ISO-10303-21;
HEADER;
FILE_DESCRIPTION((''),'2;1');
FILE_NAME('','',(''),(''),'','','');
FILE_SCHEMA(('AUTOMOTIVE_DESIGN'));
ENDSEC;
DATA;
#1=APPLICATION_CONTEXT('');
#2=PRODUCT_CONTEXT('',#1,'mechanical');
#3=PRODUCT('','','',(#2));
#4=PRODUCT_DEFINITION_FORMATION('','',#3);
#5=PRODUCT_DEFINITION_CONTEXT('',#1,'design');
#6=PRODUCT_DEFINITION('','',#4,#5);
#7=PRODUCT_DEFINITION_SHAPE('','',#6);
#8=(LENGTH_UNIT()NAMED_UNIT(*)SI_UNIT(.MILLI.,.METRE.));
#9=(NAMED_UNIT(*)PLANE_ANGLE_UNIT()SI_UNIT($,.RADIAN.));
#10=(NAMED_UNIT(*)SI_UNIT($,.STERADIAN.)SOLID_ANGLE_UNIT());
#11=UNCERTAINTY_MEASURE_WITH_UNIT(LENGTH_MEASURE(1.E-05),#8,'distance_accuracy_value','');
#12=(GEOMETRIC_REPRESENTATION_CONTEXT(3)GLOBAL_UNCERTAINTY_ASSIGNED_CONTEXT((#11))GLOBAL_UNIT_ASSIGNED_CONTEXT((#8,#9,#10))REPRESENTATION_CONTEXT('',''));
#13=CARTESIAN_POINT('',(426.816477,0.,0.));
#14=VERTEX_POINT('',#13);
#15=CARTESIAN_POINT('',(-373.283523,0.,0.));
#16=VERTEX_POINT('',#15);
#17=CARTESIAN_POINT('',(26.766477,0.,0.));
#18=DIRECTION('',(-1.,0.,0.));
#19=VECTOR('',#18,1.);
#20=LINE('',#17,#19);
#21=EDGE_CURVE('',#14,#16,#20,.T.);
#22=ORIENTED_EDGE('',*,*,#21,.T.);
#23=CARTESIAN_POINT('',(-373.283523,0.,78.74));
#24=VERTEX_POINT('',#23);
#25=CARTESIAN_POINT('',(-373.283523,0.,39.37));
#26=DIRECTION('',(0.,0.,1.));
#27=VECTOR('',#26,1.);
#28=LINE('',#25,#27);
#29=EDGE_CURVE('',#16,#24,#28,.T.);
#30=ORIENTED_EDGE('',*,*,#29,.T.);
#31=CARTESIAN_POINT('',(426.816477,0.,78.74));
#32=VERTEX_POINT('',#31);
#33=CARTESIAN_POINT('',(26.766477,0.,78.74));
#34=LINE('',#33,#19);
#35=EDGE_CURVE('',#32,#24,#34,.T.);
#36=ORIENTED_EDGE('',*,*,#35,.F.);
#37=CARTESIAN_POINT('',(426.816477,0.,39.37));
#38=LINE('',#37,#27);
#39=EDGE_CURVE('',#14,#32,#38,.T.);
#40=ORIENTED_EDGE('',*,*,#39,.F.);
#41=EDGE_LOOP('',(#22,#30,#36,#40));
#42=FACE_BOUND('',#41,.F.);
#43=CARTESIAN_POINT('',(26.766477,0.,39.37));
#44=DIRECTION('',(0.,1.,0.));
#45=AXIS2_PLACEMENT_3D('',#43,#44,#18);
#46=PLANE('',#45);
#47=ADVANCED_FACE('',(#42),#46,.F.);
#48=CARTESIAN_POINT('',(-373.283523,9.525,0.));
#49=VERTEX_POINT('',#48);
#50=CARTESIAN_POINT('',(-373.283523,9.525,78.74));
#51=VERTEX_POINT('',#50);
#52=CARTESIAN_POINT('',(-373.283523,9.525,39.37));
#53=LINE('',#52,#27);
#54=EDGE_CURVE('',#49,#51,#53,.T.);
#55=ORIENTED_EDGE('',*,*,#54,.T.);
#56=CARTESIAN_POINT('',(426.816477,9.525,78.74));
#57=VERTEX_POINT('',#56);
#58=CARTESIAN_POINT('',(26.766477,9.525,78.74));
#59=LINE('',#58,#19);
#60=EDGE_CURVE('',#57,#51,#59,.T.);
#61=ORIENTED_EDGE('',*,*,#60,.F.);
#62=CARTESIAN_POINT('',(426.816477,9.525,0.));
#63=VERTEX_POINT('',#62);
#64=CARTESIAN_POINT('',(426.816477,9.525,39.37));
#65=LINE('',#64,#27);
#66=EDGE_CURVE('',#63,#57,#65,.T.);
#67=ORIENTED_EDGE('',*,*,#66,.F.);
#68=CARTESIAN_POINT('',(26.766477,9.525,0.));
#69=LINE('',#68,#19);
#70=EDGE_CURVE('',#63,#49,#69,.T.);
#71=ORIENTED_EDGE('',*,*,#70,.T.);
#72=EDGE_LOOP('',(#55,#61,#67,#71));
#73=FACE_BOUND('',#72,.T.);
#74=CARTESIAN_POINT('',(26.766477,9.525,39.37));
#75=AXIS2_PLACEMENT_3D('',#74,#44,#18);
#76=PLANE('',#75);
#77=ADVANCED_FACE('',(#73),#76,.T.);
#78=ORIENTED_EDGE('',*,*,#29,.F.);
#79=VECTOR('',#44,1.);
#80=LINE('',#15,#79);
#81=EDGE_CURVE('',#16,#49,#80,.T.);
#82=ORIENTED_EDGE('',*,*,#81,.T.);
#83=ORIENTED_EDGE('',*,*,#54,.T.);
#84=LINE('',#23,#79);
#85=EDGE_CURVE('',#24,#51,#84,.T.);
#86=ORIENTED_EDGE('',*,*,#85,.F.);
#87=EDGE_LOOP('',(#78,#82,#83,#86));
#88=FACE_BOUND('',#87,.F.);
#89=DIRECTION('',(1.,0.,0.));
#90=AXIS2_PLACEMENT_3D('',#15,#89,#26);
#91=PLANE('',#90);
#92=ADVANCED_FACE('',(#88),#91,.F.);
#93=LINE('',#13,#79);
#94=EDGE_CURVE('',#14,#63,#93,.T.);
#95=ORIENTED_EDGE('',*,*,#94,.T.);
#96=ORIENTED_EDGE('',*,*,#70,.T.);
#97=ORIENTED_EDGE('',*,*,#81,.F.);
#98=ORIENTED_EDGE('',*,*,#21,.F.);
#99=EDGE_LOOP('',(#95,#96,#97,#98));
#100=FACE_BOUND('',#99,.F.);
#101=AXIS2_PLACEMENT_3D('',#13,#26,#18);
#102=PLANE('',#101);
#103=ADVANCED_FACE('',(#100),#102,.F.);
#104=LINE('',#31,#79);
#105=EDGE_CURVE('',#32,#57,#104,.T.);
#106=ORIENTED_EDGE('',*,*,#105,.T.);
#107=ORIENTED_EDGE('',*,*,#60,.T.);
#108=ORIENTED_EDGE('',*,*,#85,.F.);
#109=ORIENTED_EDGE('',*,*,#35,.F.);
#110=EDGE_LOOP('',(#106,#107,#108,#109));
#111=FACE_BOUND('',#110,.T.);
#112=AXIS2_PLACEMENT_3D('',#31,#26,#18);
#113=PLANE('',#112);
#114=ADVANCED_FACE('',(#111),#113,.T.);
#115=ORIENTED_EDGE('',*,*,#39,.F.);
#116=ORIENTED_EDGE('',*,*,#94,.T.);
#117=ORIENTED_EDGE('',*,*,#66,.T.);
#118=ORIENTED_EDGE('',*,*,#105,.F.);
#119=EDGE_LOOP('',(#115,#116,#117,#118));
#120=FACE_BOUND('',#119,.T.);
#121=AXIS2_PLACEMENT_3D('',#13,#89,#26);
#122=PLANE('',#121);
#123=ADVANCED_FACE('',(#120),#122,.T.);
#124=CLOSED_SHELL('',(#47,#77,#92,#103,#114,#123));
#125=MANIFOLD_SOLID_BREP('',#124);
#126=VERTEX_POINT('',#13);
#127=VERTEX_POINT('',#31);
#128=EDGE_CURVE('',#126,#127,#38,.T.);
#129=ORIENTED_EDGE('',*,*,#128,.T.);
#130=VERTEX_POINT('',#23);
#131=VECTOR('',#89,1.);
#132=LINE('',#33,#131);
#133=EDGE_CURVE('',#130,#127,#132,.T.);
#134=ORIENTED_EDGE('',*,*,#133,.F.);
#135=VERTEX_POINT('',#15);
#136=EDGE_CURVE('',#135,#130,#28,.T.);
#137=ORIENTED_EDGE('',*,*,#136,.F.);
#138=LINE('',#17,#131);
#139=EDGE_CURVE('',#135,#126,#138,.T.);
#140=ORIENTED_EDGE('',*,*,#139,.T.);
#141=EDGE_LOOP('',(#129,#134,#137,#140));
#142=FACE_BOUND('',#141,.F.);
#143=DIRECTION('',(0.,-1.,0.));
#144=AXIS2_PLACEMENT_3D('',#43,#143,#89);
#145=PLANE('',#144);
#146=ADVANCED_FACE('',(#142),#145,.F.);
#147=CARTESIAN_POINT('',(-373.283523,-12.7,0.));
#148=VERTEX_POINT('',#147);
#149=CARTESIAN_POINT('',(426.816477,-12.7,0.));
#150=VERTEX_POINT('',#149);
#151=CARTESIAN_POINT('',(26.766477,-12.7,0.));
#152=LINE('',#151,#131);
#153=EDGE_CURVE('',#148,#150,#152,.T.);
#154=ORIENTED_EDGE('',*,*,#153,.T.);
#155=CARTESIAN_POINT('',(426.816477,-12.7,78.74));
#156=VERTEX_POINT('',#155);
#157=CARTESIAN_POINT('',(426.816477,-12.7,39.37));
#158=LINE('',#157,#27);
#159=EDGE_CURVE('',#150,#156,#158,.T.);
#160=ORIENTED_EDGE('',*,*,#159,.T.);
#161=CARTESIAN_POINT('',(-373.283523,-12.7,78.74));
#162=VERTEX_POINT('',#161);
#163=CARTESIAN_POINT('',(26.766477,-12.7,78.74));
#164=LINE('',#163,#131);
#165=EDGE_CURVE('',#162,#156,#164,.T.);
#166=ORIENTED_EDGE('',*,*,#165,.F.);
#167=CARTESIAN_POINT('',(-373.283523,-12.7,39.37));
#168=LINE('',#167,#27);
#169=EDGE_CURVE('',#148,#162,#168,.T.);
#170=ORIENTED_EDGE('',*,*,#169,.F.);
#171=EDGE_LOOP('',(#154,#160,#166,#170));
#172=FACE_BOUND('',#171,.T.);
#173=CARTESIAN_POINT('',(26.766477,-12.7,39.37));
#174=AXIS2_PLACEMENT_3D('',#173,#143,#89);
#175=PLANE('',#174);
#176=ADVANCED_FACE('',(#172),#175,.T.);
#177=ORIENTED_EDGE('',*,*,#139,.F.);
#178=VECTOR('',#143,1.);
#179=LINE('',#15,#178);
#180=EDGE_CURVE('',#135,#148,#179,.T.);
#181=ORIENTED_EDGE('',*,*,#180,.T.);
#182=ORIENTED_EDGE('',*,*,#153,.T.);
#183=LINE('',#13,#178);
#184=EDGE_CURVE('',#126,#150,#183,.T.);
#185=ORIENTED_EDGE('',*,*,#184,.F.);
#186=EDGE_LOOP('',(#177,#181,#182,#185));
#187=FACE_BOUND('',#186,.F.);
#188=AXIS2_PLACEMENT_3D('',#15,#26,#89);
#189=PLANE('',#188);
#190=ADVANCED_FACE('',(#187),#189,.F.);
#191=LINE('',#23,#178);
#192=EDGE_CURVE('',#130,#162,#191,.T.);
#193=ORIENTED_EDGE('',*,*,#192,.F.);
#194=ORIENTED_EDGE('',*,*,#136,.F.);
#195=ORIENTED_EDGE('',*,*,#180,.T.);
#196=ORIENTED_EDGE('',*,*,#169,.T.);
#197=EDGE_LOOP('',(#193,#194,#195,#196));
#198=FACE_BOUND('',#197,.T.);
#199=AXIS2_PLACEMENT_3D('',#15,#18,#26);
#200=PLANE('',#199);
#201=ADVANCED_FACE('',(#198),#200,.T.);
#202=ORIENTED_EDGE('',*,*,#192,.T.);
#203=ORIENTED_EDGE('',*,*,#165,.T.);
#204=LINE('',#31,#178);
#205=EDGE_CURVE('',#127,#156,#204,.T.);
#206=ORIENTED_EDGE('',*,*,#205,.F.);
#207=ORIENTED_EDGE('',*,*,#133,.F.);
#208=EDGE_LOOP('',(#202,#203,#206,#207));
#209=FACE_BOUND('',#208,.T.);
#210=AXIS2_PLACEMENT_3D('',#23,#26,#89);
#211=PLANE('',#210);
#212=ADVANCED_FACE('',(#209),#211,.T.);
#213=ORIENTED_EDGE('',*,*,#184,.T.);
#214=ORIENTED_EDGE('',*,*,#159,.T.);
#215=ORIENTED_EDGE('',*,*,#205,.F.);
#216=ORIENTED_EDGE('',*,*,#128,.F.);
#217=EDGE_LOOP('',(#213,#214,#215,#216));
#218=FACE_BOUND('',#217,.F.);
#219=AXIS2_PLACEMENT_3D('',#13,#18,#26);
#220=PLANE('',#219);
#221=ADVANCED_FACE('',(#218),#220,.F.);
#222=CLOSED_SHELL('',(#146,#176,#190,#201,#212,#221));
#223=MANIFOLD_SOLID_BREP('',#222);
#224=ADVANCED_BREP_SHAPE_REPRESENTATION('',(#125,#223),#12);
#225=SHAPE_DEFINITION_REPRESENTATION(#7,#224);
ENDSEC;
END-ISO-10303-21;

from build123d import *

# Parameters (mm, degrees)
F0_W     = 800.1
F0_H     = 78.74
F1_DEPTH = 12.7
F2_W     = 800.1
F2_H     = 78.74
F3_DEPTH = 9.525


with BuildPart() as f1:
    # F0 (on Front) → F1 (new body)
    with BuildSketch(Plane.XZ):
        with Locations((26.766477, 39.37)):
            Rectangle(F0_W, F0_H)
    extrude(amount=F1_DEPTH)


with BuildPart() as f3:
    # F2 (on face) → F3 (new body)
    with BuildSketch(Plane(origin=(0, 0, 0), x_dir=(-1, 0, 0), z_dir=(0, 1, 0))):
        with Locations((-26.766477, 39.37)):
            Rectangle(F2_W, F2_H)
    extrude(amount=F3_DEPTH)


solid = Compound([f1.part, f3.part])
